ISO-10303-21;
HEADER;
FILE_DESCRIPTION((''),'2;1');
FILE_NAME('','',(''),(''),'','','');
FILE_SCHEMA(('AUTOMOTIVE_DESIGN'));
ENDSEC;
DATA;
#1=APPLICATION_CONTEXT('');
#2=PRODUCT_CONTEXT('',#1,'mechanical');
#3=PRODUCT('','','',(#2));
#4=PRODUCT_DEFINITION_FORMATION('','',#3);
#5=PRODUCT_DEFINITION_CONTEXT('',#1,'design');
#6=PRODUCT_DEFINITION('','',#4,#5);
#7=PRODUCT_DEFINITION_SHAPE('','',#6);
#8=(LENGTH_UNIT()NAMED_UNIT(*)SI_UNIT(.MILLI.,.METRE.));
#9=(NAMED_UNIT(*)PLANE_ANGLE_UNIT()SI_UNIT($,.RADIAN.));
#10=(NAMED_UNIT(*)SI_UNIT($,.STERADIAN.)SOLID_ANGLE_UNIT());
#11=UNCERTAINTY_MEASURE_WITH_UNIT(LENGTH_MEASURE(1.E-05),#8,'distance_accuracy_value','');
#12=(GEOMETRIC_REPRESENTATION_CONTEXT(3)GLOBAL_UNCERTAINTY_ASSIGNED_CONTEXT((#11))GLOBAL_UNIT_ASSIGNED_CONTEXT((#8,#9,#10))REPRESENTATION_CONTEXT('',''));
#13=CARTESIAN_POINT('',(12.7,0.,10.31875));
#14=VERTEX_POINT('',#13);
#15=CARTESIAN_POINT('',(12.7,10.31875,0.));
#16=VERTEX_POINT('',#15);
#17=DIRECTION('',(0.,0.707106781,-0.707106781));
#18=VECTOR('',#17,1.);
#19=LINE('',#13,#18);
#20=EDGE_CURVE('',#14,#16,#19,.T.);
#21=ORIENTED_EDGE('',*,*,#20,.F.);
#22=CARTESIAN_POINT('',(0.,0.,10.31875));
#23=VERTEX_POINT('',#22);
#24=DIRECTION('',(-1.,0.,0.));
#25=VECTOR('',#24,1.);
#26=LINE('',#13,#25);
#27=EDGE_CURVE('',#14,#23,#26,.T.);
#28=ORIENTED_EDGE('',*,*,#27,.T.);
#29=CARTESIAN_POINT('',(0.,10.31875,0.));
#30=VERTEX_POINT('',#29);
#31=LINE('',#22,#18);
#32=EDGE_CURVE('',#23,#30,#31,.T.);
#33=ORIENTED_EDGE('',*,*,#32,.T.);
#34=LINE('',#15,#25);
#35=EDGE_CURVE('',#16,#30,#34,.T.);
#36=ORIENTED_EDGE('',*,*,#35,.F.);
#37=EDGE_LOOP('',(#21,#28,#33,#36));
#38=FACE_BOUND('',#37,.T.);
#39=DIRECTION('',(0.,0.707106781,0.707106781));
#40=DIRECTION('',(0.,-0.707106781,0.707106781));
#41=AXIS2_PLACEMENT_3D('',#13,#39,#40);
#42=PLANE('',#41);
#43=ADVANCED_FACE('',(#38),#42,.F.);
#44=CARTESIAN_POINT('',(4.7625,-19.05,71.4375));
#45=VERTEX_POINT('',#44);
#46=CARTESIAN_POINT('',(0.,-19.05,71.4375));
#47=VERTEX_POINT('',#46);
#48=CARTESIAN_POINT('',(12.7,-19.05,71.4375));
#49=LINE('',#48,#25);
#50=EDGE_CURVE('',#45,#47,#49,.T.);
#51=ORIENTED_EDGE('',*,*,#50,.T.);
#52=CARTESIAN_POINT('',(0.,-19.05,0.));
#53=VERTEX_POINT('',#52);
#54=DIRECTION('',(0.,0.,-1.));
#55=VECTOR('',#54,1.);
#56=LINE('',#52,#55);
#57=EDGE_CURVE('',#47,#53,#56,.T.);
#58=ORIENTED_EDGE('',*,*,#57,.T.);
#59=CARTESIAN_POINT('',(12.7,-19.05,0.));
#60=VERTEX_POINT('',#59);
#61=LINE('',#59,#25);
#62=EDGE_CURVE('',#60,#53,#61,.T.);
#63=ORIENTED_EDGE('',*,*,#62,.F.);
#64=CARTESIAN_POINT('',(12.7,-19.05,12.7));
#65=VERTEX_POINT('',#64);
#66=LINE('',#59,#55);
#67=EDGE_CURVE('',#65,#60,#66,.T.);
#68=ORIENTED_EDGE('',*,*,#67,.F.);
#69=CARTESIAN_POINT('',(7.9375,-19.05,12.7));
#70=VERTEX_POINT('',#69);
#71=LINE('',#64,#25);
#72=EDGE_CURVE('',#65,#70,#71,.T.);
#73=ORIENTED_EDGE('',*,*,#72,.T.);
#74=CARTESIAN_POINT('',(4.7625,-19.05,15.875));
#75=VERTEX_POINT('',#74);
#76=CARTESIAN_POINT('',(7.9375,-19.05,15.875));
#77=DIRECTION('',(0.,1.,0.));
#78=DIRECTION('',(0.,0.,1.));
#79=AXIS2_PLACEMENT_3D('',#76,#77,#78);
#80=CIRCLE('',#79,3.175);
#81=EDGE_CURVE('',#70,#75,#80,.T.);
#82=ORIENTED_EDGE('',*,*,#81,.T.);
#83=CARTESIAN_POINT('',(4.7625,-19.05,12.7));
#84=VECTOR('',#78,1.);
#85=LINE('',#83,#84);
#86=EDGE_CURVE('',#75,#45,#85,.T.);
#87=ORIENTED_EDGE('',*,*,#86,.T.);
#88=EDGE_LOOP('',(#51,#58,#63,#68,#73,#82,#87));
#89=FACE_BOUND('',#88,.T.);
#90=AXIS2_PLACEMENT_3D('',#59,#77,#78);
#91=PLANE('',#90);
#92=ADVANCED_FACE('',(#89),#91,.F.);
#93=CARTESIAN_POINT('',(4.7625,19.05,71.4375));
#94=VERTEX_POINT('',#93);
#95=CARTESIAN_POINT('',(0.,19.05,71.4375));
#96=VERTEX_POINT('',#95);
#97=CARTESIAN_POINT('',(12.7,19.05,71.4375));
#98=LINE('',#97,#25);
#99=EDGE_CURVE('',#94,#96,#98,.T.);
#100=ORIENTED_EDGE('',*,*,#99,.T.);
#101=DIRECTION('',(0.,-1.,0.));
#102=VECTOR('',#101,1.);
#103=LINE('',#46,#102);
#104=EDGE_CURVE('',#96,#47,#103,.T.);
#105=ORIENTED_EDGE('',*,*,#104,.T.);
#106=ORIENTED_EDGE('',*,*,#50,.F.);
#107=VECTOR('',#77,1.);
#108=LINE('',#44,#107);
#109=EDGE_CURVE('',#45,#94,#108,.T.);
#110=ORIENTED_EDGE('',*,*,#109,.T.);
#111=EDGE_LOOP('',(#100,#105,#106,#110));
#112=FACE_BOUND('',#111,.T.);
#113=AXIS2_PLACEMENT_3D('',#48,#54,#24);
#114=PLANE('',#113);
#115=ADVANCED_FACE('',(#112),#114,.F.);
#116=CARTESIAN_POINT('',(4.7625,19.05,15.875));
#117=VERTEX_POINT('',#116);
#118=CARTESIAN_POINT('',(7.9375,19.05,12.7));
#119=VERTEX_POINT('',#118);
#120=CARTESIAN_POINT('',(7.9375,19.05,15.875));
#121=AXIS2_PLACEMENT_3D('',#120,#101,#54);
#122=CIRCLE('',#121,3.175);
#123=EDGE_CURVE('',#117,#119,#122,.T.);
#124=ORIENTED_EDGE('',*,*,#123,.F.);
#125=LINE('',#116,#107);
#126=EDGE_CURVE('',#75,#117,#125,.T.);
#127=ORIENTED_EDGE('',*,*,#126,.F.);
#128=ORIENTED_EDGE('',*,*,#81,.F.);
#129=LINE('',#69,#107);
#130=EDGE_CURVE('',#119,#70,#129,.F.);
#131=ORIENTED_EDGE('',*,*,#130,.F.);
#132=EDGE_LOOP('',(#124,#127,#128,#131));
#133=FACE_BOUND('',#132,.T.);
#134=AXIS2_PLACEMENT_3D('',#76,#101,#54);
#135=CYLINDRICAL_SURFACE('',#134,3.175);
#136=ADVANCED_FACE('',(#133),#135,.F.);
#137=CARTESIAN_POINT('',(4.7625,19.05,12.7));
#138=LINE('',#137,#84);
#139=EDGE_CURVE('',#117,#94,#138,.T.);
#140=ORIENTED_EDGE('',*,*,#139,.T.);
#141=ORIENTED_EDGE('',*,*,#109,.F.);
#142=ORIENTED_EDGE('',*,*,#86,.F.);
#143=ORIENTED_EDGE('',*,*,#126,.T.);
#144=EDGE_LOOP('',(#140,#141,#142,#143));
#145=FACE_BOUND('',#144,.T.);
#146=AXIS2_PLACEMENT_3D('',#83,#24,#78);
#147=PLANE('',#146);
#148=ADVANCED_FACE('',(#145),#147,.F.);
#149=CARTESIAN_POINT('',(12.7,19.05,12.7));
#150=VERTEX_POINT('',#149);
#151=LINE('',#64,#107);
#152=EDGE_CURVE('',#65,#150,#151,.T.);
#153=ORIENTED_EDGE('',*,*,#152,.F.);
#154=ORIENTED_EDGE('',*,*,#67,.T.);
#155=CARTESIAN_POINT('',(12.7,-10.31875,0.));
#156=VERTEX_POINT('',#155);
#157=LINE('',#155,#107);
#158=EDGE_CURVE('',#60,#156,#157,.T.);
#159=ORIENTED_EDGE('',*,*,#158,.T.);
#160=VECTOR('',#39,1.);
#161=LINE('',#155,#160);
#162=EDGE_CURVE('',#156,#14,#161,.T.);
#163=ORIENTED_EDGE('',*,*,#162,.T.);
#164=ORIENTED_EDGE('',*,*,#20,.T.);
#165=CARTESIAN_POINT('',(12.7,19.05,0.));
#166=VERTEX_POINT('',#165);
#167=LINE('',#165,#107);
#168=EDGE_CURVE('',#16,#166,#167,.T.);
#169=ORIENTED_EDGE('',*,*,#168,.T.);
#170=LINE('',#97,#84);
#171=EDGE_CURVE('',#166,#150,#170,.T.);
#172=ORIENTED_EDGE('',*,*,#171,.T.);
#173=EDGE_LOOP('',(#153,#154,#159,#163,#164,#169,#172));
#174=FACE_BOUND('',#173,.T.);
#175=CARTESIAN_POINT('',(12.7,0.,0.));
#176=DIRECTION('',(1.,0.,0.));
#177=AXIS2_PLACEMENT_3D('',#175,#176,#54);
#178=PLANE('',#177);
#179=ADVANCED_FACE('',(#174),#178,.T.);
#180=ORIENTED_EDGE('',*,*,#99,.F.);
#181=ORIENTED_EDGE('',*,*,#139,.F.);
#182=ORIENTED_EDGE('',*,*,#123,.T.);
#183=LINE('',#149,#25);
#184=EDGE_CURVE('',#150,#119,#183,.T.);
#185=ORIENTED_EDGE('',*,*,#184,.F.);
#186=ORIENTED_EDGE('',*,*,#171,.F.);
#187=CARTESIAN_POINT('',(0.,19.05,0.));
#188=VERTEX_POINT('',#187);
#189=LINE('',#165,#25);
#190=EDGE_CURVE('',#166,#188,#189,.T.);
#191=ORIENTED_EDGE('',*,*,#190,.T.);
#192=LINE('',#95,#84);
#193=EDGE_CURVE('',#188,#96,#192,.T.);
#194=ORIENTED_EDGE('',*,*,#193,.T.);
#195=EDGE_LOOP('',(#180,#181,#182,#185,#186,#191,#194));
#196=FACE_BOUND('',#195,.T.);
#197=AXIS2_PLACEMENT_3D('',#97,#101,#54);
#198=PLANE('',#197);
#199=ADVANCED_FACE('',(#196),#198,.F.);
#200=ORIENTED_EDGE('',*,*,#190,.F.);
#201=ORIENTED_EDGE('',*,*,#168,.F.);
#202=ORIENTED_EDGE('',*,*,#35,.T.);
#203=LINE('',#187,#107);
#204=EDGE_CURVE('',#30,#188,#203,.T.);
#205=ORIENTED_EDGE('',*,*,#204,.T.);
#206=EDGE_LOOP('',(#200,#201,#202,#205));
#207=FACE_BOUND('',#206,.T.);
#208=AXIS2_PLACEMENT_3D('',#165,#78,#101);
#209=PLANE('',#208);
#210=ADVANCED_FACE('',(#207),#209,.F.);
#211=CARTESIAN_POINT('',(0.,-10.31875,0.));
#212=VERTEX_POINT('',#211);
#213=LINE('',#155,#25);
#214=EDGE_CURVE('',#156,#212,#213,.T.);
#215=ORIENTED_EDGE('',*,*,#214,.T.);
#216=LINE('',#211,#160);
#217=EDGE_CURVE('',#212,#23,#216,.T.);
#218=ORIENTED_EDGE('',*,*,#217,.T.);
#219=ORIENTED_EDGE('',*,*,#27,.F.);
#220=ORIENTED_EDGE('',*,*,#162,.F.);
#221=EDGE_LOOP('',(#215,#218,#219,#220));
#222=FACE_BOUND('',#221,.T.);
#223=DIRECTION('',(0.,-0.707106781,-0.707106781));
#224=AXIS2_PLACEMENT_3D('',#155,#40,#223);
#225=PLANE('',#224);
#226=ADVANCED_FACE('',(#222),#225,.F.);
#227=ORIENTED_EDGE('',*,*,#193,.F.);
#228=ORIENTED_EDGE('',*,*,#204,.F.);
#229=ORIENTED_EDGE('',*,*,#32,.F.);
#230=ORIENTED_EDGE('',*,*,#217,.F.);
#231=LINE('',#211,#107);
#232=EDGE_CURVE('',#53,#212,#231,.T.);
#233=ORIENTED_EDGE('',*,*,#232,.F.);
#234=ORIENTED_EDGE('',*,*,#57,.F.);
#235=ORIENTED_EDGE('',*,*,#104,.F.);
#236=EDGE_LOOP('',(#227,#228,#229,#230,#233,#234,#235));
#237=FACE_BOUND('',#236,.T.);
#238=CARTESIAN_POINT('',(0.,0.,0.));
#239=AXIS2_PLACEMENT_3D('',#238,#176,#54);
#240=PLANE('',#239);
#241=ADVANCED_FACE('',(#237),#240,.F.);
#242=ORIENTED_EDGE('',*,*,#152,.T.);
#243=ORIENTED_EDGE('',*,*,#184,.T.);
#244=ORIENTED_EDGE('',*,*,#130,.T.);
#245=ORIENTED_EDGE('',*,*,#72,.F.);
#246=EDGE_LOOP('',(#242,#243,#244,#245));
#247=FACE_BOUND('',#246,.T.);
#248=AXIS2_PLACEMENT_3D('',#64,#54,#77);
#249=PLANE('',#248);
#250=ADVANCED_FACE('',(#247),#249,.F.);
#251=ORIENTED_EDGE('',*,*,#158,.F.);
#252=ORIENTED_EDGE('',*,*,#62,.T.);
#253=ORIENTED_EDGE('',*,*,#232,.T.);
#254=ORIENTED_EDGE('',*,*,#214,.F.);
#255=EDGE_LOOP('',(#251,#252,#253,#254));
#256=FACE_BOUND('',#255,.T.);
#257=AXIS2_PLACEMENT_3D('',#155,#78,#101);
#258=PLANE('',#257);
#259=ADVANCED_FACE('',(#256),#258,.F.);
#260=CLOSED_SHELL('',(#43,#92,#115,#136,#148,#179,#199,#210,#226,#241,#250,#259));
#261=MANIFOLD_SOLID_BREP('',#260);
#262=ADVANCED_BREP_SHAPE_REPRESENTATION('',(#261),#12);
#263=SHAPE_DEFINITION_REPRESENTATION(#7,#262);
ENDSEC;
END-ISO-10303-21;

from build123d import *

# Parameters (mm, degrees)
BOSS_EXTRUDE1_DEPTH = 12.7
SKETCH2_W           = 7.9375
SKETCH2_H           = 58.7375
CUT_EXTRUDE1_DEPTH  = 39.1
FILLET1_R           = 3.175


with BuildPart() as part:
    # Sketch1 → Boss-Extrude1 (new body)
    with BuildSketch(Plane(origin=(0, 0, 0), x_dir=(0, 0, -1), z_dir=(1, 0, 0))):
        Polygon((0, -10.31875), (0, -19.05), (-71.4375, -19.05), (-71.4375, 19.05), (0, 19.05), (0, 10.31875), (-10.31875, 0), align=None)
    extrude(amount=BOSS_EXTRUDE1_DEPTH)

    # Sketch2 → Cut-Extrude1 (cut, through all)
    with BuildSketch(Plane(origin=(0, 19.05, 0), x_dir=(1, 0, 0), z_dir=(0, 1, 0))):
        with Locations((8.73125, -42.06875)):
            Rectangle(SKETCH2_W, SKETCH2_H)
    extrude(amount=-CUT_EXTRUDE1_DEPTH, mode=Mode.SUBTRACT)

    # Fillet1
    fillet1_edges = [part.edges().sort_by_distance(p)[0] for p in [
        (4.7625, 0, 12.7),
    ]]
    fillet(fillet1_edges, radius=FILLET1_R)


solid = part.part
